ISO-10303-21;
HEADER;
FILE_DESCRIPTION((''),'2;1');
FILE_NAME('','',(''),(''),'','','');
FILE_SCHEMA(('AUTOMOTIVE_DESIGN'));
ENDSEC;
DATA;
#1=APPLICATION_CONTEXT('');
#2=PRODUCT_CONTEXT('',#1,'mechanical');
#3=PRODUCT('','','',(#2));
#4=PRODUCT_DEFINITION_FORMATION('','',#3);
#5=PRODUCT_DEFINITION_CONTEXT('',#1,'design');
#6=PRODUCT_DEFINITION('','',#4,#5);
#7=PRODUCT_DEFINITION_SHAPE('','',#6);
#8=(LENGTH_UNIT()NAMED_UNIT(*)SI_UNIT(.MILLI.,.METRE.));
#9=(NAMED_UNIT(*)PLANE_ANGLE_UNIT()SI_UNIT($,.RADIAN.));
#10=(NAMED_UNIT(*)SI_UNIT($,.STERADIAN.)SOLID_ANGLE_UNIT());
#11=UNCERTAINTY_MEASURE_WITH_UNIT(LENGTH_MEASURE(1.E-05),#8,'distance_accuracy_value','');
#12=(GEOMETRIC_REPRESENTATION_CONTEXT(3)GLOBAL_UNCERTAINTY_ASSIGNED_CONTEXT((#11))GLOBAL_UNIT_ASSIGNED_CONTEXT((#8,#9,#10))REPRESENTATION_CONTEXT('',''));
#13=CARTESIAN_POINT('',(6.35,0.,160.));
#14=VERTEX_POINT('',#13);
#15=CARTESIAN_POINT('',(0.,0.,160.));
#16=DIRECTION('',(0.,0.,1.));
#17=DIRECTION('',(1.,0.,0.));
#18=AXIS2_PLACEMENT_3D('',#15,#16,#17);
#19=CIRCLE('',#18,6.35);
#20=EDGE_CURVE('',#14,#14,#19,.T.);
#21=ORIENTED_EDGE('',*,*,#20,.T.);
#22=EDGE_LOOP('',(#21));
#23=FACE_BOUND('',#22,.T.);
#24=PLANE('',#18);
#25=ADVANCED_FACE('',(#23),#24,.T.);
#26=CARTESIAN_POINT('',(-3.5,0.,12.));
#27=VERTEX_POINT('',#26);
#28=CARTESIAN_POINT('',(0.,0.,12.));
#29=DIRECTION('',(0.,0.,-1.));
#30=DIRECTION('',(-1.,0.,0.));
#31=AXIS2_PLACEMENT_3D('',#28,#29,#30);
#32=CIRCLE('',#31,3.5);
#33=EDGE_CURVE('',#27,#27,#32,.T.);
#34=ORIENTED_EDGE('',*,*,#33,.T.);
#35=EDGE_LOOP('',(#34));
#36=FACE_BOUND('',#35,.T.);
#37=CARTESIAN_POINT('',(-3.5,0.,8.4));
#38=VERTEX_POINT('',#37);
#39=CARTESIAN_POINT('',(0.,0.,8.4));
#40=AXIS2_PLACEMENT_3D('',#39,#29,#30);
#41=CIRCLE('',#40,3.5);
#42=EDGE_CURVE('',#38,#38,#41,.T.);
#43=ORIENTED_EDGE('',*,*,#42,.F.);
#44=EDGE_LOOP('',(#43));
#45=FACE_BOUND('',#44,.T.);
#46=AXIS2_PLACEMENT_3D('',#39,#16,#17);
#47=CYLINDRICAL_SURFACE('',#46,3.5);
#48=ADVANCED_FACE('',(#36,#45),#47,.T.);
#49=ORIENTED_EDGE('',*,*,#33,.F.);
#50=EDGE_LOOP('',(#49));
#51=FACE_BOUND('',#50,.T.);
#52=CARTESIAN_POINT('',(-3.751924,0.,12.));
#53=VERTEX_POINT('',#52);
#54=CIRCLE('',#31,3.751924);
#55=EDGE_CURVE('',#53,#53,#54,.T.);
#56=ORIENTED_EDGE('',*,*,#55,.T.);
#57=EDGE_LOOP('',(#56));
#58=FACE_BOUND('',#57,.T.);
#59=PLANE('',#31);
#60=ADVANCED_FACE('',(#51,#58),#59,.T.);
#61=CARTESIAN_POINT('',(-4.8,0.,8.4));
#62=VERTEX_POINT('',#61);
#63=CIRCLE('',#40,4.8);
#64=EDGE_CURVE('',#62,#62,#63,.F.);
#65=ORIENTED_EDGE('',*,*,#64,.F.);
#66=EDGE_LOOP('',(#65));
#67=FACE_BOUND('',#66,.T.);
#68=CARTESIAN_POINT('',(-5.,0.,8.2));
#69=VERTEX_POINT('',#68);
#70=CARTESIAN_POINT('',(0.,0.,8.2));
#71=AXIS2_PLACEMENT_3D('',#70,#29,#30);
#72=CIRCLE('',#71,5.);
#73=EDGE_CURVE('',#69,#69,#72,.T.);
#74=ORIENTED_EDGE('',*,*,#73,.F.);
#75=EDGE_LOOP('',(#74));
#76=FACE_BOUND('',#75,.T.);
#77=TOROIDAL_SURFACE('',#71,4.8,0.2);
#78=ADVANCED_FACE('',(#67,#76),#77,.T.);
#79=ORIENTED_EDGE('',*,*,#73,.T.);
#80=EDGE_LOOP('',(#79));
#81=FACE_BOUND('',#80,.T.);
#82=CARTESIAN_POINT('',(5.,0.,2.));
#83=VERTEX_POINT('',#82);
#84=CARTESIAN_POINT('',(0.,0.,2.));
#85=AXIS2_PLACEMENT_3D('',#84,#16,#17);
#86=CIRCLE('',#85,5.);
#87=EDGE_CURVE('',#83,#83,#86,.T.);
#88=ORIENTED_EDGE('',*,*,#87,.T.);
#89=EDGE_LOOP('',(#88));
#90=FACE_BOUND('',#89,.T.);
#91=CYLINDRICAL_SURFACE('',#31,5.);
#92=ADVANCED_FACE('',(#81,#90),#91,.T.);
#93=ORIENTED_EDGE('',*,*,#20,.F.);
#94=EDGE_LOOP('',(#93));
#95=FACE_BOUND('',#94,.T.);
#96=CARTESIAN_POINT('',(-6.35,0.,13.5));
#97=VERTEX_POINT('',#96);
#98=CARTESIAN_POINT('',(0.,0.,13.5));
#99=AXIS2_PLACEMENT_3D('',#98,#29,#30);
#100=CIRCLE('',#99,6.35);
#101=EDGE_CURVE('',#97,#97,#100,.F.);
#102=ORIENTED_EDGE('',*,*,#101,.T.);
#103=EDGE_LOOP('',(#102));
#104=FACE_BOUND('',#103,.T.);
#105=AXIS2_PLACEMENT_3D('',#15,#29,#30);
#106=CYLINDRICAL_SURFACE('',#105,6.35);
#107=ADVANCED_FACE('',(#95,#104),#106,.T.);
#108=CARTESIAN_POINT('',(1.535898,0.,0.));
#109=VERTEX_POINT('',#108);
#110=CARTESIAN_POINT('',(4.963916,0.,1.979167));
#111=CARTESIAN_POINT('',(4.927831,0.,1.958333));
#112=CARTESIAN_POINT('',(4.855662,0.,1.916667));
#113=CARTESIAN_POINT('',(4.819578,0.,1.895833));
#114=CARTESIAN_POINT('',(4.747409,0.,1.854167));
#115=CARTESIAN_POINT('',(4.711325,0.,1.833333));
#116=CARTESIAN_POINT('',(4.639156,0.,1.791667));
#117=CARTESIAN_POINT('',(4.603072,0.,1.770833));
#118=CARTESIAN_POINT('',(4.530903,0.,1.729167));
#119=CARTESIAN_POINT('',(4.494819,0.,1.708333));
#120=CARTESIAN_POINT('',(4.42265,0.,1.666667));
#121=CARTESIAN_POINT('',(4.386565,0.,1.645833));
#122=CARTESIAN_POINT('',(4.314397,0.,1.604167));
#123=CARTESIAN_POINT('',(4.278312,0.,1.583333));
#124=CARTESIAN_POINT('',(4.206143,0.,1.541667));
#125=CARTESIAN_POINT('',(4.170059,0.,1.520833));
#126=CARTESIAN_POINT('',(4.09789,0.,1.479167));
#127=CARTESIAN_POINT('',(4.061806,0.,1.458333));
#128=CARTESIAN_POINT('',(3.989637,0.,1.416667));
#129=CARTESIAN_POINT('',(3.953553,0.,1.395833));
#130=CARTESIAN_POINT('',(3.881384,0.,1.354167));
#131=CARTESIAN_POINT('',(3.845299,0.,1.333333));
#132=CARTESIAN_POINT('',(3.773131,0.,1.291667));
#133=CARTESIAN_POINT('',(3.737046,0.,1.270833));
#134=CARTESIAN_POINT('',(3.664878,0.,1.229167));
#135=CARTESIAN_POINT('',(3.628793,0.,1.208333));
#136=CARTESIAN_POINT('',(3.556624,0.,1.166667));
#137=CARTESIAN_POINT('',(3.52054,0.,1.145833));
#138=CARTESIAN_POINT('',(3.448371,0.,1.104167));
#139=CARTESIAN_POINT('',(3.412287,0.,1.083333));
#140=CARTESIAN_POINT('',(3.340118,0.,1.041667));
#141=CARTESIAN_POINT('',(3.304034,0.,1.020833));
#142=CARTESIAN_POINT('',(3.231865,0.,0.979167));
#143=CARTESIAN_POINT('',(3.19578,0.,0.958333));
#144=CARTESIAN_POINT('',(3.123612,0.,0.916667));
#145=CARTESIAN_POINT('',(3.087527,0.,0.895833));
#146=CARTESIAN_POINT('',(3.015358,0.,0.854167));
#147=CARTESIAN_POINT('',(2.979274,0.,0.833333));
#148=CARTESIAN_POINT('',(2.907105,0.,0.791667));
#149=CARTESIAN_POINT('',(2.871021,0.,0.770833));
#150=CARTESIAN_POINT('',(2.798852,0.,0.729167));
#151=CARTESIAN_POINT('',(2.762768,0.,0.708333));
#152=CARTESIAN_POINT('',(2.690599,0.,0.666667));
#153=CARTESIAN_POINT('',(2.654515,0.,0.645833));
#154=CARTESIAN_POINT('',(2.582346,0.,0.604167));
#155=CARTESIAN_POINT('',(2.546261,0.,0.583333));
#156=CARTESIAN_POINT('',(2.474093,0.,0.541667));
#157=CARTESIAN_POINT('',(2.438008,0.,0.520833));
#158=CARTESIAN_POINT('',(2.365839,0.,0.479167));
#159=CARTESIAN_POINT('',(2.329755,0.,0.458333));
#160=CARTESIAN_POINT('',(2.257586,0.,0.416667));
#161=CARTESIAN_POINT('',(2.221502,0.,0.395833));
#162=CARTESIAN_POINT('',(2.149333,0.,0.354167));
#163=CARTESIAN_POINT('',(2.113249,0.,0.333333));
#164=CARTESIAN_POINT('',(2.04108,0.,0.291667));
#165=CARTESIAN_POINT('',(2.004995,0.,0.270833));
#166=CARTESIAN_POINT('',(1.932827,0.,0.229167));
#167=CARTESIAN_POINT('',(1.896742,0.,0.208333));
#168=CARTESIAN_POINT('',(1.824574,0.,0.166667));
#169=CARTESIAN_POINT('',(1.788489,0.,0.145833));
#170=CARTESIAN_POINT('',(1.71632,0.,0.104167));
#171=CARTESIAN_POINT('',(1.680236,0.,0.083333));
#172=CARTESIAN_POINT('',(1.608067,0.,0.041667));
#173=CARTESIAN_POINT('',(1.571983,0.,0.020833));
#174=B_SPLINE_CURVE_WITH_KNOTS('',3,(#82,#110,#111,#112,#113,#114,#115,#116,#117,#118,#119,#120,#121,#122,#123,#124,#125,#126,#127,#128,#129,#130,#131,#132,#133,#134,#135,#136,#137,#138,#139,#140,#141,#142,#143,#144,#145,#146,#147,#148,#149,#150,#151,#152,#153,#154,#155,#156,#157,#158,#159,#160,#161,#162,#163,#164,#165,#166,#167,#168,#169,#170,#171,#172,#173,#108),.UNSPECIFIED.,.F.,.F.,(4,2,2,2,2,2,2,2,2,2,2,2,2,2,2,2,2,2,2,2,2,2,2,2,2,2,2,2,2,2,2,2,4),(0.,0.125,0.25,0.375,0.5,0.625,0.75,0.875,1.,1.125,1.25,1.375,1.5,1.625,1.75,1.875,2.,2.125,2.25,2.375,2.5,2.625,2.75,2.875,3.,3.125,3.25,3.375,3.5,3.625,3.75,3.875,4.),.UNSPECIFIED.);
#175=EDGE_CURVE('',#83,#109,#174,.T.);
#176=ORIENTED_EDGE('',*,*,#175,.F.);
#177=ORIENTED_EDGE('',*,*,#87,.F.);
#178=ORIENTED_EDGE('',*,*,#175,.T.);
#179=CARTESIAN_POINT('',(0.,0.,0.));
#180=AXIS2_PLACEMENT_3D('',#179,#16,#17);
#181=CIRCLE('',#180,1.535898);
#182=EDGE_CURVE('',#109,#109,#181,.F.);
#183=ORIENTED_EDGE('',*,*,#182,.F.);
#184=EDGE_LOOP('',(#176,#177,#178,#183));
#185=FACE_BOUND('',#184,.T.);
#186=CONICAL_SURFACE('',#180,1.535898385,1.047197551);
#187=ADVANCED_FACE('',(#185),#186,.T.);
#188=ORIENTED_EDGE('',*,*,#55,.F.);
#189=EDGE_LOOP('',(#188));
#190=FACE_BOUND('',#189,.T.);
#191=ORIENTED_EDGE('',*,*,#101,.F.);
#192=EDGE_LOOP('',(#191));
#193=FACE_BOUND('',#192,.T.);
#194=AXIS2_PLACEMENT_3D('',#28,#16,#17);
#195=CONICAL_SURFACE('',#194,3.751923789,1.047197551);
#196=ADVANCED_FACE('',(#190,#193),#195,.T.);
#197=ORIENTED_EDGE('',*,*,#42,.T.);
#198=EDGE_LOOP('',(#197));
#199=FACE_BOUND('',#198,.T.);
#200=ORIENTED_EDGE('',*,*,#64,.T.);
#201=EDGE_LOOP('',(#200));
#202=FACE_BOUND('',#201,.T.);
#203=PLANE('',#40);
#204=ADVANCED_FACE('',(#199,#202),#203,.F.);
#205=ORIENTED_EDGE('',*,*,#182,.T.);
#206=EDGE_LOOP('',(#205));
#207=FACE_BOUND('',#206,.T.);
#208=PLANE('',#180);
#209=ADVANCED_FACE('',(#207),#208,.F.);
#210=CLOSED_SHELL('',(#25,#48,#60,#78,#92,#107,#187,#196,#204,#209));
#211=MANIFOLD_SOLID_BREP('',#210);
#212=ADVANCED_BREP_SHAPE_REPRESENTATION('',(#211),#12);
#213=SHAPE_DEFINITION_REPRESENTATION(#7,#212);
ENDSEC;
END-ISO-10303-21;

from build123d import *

# Parameters (mm, degrees)
ESBO_O1_R                = 6.35
RESSALTO_EXTRUS_O1_DEPTH = 160
ESBO_O2_OUTSIDE_W        = 46.9
ESBO_O2_OUTSIDE_H        = 46.9
ESBO_O2_OUTSIDE_R        = 5
CORTE_EXTRUS_O1_DEPTH    = 12
ESBO_O4_OUTSIDE_W        = 46.9
ESBO_O4_OUTSIDE_H        = 46.9
ESBO_O4_OUTSIDE_R        = 3.5
CORTE_EXTRUS_O2_DEPTH    = 3.6
FILETE1_R                = 0.2
CHANFRO2_SIZE            = 2
CHANFRO2_SIZE2           = 3.464101615
CHANFRO3_SIZE            = 1.5
CHANFRO3_SIZE2           = 2.598076211


with BuildPart() as part:
    # Esboço1 → Ressalto-extrusão1 (new body)
    with BuildSketch(Plane.XY):
        Circle(ESBO_O1_R)
    extrude(amount=RESSALTO_EXTRUS_O1_DEPTH)

    # Esboço2 outside → Corte-extrusão1 (cut)
    with BuildSketch(Plane(origin=(0, 0, 0), x_dir=(-1, 0, 0), z_dir=(0, 0, -1))):
        Rectangle(ESBO_O2_OUTSIDE_W, ESBO_O2_OUTSIDE_H)
        Circle(ESBO_O2_OUTSIDE_R, mode=Mode.SUBTRACT)
    extrude(amount=-CORTE_EXTRUS_O1_DEPTH, mode=Mode.SUBTRACT)

    # Esboço4 outside → Corte-extrusão2 (cut)
    with BuildSketch(Plane(origin=(0, 0, 12), x_dir=(-1, 0, 0), z_dir=(0, 0, -1))):
        Rectangle(ESBO_O4_OUTSIDE_W, ESBO_O4_OUTSIDE_H)
        Circle(ESBO_O4_OUTSIDE_R, mode=Mode.SUBTRACT)
    extrude(amount=CORTE_EXTRUS_O2_DEPTH, mode=Mode.SUBTRACT)

    # Filete1
    filete1_edges = [part.edges().sort_by_distance(p)[0] for p in [
        (5, 0, 8.4),
    ]]
    fillet(filete1_edges, radius=FILETE1_R)

    # Chanfro2
    chanfro2_edges = [part.edges().sort_by_distance(p)[0] for p in [
        (5, 0, 0),
    ]]
    chanfro2_side = [part.faces().sort_by_distance(p)[0] for p in [
        (5, 0, 4.1),
    ]]
    chamfer(chanfro2_edges, length=CHANFRO2_SIZE, length2=CHANFRO2_SIZE2, reference=chanfro2_side[0])

    # Chanfro3
    chanfro3_edges = [part.edges().sort_by_distance(p)[0] for p in [
        (-6.35, 0, 12),
    ]]
    chanfro3_side = [part.faces().sort_by_distance(p)[0] for p in [
        (-6.35, 0, 86),
    ]]
    chamfer(chanfro3_edges, length=CHANFRO3_SIZE, length2=CHANFRO3_SIZE2, reference=chanfro3_side[0])


solid = part.part
